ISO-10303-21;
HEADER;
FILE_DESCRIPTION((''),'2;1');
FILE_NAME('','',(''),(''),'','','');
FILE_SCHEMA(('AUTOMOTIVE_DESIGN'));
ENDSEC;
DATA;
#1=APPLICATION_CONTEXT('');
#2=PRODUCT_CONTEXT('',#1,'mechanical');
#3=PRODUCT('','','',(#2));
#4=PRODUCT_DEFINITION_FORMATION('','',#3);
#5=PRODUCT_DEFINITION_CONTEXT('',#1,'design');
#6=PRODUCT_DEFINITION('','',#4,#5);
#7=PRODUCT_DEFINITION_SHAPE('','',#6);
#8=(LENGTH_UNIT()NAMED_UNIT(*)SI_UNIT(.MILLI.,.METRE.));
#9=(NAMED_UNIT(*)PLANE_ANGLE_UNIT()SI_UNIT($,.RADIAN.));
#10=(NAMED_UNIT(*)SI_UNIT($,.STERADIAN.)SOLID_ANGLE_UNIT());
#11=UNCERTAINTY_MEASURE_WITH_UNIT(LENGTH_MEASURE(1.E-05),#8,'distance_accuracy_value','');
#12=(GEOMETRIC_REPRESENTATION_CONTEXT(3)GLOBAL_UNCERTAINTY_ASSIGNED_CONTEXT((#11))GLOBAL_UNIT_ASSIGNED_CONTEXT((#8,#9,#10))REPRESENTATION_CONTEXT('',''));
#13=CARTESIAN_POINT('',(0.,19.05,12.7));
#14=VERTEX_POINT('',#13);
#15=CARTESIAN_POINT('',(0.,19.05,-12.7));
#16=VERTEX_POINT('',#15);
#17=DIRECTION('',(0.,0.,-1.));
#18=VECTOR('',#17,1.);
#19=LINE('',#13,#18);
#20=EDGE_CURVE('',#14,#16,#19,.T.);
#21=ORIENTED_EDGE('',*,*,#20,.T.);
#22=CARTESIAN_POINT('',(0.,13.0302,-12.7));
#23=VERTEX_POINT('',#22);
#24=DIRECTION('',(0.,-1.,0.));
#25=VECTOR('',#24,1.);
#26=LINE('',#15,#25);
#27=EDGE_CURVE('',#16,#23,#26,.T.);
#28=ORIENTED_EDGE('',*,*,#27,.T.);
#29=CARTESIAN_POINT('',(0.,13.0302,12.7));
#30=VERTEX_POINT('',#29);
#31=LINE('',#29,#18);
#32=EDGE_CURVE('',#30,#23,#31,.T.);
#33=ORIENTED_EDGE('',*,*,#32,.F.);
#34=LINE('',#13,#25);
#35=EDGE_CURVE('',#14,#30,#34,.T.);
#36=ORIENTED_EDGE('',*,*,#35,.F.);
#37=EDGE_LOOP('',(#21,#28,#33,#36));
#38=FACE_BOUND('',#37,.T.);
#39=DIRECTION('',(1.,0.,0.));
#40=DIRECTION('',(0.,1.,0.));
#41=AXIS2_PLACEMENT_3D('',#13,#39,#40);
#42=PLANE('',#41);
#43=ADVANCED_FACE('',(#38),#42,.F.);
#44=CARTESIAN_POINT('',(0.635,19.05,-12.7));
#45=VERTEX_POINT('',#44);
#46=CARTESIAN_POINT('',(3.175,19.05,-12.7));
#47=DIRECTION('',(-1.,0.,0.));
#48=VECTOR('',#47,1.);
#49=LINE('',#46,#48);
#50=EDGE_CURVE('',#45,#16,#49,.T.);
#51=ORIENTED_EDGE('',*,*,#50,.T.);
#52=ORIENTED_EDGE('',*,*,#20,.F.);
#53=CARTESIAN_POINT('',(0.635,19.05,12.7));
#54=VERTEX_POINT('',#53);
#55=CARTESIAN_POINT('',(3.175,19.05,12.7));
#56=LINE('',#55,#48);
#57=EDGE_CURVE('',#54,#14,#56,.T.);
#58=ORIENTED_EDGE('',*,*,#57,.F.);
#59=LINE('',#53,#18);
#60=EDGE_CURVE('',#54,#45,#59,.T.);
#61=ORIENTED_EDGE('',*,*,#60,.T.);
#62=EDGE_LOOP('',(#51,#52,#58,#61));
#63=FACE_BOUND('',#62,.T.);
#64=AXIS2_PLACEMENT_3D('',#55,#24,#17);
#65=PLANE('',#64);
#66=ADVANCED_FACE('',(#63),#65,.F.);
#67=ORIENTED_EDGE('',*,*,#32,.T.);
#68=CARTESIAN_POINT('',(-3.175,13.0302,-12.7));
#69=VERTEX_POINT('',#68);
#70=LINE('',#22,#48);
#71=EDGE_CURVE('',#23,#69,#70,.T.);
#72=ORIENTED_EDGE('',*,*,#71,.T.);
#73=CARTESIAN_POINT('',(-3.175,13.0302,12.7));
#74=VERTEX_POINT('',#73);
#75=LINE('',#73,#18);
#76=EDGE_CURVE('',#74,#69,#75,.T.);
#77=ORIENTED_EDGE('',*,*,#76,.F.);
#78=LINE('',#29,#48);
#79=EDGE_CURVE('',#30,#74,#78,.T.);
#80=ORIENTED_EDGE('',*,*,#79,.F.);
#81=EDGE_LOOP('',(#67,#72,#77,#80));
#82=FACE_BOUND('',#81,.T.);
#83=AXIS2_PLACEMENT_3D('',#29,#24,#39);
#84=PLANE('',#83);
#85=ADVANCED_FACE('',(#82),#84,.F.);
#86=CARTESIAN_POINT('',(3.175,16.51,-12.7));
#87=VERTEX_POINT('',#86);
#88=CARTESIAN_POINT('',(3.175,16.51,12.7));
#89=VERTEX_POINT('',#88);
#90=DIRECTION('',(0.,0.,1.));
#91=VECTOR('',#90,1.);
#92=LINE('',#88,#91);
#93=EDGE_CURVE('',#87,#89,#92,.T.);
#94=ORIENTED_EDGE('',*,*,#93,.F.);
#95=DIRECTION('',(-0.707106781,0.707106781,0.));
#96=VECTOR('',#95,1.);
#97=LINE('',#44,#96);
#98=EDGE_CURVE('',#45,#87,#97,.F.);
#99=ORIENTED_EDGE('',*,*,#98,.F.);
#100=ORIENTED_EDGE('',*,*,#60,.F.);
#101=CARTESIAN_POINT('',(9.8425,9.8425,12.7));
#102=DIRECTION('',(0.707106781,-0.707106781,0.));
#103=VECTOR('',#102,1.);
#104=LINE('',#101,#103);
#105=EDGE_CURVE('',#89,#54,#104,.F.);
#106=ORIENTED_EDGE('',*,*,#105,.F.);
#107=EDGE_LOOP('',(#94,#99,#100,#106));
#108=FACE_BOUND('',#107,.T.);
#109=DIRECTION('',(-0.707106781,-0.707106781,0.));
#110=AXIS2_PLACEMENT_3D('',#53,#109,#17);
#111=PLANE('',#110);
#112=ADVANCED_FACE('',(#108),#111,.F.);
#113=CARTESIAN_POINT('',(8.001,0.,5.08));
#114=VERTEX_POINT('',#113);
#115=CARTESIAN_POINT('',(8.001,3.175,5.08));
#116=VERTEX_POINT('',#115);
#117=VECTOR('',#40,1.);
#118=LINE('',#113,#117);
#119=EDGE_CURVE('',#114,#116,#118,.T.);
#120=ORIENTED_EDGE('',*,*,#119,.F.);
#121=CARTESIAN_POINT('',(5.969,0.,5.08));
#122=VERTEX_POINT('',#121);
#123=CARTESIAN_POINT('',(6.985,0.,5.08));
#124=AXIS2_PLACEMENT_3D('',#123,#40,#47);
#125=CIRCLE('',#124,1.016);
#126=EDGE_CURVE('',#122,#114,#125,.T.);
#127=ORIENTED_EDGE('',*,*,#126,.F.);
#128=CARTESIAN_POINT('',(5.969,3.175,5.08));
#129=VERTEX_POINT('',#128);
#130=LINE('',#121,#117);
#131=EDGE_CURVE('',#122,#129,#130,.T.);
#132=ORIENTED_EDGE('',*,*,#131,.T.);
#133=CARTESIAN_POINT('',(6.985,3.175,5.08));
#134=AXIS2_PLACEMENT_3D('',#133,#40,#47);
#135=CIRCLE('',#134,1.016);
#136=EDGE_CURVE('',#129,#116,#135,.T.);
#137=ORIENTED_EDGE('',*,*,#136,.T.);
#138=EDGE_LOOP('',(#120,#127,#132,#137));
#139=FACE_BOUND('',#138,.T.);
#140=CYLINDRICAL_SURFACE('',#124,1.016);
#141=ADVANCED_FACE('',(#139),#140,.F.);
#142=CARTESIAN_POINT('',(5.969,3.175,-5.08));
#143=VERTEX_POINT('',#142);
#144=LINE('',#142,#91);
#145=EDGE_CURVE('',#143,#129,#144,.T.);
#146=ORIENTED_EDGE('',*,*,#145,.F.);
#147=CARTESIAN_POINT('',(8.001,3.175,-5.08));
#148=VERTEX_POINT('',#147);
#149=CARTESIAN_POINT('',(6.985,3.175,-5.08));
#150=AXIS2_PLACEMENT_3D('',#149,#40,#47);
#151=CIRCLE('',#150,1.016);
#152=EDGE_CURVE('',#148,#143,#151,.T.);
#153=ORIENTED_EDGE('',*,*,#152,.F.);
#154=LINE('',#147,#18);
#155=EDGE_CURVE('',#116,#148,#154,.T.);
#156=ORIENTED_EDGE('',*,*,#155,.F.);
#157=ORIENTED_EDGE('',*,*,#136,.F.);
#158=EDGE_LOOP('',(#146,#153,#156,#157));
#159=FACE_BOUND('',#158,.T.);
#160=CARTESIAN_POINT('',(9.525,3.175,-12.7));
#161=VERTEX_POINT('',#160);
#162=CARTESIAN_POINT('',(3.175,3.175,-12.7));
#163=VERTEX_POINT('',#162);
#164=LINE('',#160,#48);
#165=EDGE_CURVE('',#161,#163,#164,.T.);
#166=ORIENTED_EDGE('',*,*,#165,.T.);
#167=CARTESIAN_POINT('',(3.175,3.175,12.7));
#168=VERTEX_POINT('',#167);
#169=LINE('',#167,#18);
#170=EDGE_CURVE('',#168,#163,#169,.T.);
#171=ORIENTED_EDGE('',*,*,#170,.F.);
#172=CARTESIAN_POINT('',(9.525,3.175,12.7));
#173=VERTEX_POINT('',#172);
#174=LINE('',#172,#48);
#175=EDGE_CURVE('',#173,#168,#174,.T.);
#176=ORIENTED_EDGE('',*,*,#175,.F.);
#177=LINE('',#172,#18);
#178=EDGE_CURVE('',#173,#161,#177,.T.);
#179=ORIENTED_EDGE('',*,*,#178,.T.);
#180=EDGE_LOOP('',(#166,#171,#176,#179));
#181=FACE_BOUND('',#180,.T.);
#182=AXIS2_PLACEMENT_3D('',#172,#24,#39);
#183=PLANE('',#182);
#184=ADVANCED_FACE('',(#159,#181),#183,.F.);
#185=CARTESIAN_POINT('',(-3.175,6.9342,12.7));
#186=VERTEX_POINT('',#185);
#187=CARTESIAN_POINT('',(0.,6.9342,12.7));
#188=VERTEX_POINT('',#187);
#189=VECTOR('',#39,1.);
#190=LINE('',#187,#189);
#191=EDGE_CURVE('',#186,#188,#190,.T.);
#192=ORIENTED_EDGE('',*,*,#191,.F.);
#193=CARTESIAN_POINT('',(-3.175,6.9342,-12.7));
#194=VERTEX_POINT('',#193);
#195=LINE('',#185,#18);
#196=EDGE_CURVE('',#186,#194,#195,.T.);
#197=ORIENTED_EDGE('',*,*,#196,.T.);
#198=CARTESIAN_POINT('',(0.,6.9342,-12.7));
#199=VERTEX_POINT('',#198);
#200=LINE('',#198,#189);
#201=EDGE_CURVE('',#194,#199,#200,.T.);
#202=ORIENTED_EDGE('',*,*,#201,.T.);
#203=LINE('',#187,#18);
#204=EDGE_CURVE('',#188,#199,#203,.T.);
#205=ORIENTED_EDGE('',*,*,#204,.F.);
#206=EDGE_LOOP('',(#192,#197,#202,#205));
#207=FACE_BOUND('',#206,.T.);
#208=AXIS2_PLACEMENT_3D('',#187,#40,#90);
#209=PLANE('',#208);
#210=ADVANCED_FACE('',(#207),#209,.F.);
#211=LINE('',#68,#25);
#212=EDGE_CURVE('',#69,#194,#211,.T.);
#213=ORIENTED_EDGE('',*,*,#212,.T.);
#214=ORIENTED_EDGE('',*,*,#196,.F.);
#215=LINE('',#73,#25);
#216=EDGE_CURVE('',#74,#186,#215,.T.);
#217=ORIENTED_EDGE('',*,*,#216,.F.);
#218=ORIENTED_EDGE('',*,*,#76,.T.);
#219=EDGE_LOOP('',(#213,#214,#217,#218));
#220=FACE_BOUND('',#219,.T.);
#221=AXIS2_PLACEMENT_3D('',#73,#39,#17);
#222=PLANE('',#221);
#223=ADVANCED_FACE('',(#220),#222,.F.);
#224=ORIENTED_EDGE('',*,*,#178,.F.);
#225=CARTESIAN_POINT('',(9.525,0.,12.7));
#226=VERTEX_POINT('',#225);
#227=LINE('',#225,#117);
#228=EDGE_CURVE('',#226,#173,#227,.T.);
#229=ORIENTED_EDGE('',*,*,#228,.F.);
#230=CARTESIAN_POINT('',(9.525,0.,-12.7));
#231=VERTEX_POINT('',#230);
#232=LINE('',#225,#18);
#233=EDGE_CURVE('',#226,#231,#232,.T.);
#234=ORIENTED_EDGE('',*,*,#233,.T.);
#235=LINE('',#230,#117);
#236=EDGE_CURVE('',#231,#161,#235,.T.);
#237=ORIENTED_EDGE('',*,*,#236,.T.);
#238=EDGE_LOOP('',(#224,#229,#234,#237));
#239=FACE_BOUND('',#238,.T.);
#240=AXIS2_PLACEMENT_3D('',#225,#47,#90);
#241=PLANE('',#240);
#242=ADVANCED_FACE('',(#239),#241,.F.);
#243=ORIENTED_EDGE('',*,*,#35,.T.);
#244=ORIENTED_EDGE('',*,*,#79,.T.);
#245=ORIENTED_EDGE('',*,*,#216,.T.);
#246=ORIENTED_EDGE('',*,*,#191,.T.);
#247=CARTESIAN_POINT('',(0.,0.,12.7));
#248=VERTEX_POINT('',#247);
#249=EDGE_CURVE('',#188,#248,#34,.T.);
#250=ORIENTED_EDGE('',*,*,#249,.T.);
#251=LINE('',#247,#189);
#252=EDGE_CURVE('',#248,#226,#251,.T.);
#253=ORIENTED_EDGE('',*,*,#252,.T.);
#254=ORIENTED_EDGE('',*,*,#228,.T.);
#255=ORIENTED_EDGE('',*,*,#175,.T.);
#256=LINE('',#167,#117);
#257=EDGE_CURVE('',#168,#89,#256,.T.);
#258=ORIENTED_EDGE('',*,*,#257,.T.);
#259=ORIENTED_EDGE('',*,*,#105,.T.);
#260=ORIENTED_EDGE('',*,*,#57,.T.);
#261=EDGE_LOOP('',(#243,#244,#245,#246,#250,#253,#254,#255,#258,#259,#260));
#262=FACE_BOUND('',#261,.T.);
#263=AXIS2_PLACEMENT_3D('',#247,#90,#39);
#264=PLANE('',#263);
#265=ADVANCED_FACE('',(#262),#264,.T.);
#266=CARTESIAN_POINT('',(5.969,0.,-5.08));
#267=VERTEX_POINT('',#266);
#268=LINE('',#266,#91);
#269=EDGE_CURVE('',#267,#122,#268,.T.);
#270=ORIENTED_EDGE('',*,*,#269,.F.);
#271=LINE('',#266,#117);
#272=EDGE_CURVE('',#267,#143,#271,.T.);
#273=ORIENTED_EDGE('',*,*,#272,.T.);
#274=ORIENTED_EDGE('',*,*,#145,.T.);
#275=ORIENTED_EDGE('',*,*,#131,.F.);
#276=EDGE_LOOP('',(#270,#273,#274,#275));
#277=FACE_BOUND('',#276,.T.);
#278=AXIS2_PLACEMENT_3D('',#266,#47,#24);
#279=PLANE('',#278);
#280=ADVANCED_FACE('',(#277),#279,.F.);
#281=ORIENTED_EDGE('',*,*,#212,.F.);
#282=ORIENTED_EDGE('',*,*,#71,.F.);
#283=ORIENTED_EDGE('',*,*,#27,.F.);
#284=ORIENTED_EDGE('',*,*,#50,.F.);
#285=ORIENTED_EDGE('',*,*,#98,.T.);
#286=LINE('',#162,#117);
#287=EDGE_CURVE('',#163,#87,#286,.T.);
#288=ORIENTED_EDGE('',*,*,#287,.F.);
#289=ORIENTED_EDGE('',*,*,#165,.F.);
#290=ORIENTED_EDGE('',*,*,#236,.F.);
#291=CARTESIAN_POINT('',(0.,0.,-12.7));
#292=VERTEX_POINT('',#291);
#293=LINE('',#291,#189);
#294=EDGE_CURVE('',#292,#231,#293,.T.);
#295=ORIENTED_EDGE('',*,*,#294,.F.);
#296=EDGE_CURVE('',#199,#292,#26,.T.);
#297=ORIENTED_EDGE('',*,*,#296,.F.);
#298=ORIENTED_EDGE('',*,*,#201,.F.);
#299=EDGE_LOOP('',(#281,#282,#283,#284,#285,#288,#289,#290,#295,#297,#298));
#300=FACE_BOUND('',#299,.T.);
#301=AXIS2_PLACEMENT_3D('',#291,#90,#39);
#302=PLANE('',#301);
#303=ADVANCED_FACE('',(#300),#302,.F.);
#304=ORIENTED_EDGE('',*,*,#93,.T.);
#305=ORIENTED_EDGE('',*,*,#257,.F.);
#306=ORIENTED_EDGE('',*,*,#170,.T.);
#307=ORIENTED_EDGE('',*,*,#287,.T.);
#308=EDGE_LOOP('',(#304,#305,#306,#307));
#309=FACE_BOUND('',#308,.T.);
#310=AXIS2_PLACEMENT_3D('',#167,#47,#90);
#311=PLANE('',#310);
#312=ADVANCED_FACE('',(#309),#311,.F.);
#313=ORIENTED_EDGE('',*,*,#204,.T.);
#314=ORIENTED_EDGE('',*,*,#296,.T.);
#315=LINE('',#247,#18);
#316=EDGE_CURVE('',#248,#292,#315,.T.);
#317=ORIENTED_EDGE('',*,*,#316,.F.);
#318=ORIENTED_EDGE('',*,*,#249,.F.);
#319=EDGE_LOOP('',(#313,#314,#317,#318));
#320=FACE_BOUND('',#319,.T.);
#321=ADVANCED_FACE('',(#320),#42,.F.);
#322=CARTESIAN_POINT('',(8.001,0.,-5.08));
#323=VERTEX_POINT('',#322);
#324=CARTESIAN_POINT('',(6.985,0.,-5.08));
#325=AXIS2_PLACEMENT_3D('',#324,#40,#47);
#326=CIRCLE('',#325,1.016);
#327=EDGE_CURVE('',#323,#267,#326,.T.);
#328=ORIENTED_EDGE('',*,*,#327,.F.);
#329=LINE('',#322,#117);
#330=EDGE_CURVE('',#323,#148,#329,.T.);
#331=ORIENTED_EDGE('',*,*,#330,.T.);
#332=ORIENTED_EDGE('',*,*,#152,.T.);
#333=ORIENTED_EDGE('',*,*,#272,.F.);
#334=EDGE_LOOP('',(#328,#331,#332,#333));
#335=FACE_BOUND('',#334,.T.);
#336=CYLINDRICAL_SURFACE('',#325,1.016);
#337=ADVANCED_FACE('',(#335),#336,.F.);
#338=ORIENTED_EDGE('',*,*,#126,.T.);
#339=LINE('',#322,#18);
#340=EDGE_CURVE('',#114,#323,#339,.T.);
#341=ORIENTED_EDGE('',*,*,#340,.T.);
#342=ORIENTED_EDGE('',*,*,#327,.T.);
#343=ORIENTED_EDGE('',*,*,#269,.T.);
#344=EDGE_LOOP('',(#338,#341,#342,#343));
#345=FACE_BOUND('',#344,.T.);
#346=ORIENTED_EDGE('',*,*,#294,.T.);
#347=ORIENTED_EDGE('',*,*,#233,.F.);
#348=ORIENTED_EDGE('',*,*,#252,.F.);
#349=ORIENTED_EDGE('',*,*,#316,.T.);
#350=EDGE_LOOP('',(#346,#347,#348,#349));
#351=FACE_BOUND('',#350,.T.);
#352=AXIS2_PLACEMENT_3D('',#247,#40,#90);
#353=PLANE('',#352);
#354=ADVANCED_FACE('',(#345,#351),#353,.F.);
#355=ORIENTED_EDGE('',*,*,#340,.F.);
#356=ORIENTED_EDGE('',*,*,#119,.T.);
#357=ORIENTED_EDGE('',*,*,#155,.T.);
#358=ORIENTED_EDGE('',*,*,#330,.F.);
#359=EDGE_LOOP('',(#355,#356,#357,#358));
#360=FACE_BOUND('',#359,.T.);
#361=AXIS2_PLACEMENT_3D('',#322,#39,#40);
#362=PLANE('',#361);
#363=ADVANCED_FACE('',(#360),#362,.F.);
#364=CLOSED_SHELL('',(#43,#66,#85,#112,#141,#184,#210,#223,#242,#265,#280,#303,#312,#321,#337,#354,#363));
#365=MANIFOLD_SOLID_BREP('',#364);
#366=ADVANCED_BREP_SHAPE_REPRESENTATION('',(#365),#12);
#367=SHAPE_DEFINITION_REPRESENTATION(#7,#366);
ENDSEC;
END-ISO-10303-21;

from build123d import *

# Parameters (mm, degrees)
BOSS_EXTRUDE1_DEPTH = 12.7
SKETCH2_W           = 3.175
SKETCH2_H           = 6.096
BOSS_EXTRUDE2_DEPTH = 12.7
CUT_EXTRUDE1_DEPTH  = 4.175
CHAMFER1_SIZE       = 2.54


with BuildPart() as part:
    # Sketch1 → Boss-Extrude1 (new body, symmetric)
    with BuildSketch(Plane.XY):
        Polygon((0, 0), (9.525, 0), (9.525, 3.175), (3.175, 3.175), (3.175, 19.05), (0, 19.05), align=None)
    extrude(amount=BOSS_EXTRUDE1_DEPTH, both=True)

    # Sketch2 → Boss-Extrude2 (add, symmetric)
    with BuildSketch(Plane.XY):
        with Locations((-1.5875, 9.9822)):
            Rectangle(SKETCH2_W, SKETCH2_H)
    extrude(amount=BOSS_EXTRUDE2_DEPTH, both=True)

    # Sketch3 → Cut-Extrude1 (cut, through all)
    with BuildSketch(Plane(origin=(0, 3.175, 0), x_dir=(1, 0, 0), z_dir=(0, 1, 0))):
        with BuildLine():
            Line((8.001, 5.08), (8.001, -5.08))
            ThreePointArc((8.001, -5.08), (6.985, -6.096), (5.969, -5.08))
            Line((5.969, -5.08), (5.969, 5.08))
            ThreePointArc((5.969, 5.08), (6.985, 6.096), (8.001, 5.08))
        make_face()
    extrude(amount=-CUT_EXTRUDE1_DEPTH, mode=Mode.SUBTRACT)

    # Chamfer1
    chamfer1_edges = [part.edges().sort_by_distance(p)[0] for p in [
        (3.175, 19.05, 0),
    ]]
    chamfer(chamfer1_edges, length=CHAMFER1_SIZE)


solid = part.part
